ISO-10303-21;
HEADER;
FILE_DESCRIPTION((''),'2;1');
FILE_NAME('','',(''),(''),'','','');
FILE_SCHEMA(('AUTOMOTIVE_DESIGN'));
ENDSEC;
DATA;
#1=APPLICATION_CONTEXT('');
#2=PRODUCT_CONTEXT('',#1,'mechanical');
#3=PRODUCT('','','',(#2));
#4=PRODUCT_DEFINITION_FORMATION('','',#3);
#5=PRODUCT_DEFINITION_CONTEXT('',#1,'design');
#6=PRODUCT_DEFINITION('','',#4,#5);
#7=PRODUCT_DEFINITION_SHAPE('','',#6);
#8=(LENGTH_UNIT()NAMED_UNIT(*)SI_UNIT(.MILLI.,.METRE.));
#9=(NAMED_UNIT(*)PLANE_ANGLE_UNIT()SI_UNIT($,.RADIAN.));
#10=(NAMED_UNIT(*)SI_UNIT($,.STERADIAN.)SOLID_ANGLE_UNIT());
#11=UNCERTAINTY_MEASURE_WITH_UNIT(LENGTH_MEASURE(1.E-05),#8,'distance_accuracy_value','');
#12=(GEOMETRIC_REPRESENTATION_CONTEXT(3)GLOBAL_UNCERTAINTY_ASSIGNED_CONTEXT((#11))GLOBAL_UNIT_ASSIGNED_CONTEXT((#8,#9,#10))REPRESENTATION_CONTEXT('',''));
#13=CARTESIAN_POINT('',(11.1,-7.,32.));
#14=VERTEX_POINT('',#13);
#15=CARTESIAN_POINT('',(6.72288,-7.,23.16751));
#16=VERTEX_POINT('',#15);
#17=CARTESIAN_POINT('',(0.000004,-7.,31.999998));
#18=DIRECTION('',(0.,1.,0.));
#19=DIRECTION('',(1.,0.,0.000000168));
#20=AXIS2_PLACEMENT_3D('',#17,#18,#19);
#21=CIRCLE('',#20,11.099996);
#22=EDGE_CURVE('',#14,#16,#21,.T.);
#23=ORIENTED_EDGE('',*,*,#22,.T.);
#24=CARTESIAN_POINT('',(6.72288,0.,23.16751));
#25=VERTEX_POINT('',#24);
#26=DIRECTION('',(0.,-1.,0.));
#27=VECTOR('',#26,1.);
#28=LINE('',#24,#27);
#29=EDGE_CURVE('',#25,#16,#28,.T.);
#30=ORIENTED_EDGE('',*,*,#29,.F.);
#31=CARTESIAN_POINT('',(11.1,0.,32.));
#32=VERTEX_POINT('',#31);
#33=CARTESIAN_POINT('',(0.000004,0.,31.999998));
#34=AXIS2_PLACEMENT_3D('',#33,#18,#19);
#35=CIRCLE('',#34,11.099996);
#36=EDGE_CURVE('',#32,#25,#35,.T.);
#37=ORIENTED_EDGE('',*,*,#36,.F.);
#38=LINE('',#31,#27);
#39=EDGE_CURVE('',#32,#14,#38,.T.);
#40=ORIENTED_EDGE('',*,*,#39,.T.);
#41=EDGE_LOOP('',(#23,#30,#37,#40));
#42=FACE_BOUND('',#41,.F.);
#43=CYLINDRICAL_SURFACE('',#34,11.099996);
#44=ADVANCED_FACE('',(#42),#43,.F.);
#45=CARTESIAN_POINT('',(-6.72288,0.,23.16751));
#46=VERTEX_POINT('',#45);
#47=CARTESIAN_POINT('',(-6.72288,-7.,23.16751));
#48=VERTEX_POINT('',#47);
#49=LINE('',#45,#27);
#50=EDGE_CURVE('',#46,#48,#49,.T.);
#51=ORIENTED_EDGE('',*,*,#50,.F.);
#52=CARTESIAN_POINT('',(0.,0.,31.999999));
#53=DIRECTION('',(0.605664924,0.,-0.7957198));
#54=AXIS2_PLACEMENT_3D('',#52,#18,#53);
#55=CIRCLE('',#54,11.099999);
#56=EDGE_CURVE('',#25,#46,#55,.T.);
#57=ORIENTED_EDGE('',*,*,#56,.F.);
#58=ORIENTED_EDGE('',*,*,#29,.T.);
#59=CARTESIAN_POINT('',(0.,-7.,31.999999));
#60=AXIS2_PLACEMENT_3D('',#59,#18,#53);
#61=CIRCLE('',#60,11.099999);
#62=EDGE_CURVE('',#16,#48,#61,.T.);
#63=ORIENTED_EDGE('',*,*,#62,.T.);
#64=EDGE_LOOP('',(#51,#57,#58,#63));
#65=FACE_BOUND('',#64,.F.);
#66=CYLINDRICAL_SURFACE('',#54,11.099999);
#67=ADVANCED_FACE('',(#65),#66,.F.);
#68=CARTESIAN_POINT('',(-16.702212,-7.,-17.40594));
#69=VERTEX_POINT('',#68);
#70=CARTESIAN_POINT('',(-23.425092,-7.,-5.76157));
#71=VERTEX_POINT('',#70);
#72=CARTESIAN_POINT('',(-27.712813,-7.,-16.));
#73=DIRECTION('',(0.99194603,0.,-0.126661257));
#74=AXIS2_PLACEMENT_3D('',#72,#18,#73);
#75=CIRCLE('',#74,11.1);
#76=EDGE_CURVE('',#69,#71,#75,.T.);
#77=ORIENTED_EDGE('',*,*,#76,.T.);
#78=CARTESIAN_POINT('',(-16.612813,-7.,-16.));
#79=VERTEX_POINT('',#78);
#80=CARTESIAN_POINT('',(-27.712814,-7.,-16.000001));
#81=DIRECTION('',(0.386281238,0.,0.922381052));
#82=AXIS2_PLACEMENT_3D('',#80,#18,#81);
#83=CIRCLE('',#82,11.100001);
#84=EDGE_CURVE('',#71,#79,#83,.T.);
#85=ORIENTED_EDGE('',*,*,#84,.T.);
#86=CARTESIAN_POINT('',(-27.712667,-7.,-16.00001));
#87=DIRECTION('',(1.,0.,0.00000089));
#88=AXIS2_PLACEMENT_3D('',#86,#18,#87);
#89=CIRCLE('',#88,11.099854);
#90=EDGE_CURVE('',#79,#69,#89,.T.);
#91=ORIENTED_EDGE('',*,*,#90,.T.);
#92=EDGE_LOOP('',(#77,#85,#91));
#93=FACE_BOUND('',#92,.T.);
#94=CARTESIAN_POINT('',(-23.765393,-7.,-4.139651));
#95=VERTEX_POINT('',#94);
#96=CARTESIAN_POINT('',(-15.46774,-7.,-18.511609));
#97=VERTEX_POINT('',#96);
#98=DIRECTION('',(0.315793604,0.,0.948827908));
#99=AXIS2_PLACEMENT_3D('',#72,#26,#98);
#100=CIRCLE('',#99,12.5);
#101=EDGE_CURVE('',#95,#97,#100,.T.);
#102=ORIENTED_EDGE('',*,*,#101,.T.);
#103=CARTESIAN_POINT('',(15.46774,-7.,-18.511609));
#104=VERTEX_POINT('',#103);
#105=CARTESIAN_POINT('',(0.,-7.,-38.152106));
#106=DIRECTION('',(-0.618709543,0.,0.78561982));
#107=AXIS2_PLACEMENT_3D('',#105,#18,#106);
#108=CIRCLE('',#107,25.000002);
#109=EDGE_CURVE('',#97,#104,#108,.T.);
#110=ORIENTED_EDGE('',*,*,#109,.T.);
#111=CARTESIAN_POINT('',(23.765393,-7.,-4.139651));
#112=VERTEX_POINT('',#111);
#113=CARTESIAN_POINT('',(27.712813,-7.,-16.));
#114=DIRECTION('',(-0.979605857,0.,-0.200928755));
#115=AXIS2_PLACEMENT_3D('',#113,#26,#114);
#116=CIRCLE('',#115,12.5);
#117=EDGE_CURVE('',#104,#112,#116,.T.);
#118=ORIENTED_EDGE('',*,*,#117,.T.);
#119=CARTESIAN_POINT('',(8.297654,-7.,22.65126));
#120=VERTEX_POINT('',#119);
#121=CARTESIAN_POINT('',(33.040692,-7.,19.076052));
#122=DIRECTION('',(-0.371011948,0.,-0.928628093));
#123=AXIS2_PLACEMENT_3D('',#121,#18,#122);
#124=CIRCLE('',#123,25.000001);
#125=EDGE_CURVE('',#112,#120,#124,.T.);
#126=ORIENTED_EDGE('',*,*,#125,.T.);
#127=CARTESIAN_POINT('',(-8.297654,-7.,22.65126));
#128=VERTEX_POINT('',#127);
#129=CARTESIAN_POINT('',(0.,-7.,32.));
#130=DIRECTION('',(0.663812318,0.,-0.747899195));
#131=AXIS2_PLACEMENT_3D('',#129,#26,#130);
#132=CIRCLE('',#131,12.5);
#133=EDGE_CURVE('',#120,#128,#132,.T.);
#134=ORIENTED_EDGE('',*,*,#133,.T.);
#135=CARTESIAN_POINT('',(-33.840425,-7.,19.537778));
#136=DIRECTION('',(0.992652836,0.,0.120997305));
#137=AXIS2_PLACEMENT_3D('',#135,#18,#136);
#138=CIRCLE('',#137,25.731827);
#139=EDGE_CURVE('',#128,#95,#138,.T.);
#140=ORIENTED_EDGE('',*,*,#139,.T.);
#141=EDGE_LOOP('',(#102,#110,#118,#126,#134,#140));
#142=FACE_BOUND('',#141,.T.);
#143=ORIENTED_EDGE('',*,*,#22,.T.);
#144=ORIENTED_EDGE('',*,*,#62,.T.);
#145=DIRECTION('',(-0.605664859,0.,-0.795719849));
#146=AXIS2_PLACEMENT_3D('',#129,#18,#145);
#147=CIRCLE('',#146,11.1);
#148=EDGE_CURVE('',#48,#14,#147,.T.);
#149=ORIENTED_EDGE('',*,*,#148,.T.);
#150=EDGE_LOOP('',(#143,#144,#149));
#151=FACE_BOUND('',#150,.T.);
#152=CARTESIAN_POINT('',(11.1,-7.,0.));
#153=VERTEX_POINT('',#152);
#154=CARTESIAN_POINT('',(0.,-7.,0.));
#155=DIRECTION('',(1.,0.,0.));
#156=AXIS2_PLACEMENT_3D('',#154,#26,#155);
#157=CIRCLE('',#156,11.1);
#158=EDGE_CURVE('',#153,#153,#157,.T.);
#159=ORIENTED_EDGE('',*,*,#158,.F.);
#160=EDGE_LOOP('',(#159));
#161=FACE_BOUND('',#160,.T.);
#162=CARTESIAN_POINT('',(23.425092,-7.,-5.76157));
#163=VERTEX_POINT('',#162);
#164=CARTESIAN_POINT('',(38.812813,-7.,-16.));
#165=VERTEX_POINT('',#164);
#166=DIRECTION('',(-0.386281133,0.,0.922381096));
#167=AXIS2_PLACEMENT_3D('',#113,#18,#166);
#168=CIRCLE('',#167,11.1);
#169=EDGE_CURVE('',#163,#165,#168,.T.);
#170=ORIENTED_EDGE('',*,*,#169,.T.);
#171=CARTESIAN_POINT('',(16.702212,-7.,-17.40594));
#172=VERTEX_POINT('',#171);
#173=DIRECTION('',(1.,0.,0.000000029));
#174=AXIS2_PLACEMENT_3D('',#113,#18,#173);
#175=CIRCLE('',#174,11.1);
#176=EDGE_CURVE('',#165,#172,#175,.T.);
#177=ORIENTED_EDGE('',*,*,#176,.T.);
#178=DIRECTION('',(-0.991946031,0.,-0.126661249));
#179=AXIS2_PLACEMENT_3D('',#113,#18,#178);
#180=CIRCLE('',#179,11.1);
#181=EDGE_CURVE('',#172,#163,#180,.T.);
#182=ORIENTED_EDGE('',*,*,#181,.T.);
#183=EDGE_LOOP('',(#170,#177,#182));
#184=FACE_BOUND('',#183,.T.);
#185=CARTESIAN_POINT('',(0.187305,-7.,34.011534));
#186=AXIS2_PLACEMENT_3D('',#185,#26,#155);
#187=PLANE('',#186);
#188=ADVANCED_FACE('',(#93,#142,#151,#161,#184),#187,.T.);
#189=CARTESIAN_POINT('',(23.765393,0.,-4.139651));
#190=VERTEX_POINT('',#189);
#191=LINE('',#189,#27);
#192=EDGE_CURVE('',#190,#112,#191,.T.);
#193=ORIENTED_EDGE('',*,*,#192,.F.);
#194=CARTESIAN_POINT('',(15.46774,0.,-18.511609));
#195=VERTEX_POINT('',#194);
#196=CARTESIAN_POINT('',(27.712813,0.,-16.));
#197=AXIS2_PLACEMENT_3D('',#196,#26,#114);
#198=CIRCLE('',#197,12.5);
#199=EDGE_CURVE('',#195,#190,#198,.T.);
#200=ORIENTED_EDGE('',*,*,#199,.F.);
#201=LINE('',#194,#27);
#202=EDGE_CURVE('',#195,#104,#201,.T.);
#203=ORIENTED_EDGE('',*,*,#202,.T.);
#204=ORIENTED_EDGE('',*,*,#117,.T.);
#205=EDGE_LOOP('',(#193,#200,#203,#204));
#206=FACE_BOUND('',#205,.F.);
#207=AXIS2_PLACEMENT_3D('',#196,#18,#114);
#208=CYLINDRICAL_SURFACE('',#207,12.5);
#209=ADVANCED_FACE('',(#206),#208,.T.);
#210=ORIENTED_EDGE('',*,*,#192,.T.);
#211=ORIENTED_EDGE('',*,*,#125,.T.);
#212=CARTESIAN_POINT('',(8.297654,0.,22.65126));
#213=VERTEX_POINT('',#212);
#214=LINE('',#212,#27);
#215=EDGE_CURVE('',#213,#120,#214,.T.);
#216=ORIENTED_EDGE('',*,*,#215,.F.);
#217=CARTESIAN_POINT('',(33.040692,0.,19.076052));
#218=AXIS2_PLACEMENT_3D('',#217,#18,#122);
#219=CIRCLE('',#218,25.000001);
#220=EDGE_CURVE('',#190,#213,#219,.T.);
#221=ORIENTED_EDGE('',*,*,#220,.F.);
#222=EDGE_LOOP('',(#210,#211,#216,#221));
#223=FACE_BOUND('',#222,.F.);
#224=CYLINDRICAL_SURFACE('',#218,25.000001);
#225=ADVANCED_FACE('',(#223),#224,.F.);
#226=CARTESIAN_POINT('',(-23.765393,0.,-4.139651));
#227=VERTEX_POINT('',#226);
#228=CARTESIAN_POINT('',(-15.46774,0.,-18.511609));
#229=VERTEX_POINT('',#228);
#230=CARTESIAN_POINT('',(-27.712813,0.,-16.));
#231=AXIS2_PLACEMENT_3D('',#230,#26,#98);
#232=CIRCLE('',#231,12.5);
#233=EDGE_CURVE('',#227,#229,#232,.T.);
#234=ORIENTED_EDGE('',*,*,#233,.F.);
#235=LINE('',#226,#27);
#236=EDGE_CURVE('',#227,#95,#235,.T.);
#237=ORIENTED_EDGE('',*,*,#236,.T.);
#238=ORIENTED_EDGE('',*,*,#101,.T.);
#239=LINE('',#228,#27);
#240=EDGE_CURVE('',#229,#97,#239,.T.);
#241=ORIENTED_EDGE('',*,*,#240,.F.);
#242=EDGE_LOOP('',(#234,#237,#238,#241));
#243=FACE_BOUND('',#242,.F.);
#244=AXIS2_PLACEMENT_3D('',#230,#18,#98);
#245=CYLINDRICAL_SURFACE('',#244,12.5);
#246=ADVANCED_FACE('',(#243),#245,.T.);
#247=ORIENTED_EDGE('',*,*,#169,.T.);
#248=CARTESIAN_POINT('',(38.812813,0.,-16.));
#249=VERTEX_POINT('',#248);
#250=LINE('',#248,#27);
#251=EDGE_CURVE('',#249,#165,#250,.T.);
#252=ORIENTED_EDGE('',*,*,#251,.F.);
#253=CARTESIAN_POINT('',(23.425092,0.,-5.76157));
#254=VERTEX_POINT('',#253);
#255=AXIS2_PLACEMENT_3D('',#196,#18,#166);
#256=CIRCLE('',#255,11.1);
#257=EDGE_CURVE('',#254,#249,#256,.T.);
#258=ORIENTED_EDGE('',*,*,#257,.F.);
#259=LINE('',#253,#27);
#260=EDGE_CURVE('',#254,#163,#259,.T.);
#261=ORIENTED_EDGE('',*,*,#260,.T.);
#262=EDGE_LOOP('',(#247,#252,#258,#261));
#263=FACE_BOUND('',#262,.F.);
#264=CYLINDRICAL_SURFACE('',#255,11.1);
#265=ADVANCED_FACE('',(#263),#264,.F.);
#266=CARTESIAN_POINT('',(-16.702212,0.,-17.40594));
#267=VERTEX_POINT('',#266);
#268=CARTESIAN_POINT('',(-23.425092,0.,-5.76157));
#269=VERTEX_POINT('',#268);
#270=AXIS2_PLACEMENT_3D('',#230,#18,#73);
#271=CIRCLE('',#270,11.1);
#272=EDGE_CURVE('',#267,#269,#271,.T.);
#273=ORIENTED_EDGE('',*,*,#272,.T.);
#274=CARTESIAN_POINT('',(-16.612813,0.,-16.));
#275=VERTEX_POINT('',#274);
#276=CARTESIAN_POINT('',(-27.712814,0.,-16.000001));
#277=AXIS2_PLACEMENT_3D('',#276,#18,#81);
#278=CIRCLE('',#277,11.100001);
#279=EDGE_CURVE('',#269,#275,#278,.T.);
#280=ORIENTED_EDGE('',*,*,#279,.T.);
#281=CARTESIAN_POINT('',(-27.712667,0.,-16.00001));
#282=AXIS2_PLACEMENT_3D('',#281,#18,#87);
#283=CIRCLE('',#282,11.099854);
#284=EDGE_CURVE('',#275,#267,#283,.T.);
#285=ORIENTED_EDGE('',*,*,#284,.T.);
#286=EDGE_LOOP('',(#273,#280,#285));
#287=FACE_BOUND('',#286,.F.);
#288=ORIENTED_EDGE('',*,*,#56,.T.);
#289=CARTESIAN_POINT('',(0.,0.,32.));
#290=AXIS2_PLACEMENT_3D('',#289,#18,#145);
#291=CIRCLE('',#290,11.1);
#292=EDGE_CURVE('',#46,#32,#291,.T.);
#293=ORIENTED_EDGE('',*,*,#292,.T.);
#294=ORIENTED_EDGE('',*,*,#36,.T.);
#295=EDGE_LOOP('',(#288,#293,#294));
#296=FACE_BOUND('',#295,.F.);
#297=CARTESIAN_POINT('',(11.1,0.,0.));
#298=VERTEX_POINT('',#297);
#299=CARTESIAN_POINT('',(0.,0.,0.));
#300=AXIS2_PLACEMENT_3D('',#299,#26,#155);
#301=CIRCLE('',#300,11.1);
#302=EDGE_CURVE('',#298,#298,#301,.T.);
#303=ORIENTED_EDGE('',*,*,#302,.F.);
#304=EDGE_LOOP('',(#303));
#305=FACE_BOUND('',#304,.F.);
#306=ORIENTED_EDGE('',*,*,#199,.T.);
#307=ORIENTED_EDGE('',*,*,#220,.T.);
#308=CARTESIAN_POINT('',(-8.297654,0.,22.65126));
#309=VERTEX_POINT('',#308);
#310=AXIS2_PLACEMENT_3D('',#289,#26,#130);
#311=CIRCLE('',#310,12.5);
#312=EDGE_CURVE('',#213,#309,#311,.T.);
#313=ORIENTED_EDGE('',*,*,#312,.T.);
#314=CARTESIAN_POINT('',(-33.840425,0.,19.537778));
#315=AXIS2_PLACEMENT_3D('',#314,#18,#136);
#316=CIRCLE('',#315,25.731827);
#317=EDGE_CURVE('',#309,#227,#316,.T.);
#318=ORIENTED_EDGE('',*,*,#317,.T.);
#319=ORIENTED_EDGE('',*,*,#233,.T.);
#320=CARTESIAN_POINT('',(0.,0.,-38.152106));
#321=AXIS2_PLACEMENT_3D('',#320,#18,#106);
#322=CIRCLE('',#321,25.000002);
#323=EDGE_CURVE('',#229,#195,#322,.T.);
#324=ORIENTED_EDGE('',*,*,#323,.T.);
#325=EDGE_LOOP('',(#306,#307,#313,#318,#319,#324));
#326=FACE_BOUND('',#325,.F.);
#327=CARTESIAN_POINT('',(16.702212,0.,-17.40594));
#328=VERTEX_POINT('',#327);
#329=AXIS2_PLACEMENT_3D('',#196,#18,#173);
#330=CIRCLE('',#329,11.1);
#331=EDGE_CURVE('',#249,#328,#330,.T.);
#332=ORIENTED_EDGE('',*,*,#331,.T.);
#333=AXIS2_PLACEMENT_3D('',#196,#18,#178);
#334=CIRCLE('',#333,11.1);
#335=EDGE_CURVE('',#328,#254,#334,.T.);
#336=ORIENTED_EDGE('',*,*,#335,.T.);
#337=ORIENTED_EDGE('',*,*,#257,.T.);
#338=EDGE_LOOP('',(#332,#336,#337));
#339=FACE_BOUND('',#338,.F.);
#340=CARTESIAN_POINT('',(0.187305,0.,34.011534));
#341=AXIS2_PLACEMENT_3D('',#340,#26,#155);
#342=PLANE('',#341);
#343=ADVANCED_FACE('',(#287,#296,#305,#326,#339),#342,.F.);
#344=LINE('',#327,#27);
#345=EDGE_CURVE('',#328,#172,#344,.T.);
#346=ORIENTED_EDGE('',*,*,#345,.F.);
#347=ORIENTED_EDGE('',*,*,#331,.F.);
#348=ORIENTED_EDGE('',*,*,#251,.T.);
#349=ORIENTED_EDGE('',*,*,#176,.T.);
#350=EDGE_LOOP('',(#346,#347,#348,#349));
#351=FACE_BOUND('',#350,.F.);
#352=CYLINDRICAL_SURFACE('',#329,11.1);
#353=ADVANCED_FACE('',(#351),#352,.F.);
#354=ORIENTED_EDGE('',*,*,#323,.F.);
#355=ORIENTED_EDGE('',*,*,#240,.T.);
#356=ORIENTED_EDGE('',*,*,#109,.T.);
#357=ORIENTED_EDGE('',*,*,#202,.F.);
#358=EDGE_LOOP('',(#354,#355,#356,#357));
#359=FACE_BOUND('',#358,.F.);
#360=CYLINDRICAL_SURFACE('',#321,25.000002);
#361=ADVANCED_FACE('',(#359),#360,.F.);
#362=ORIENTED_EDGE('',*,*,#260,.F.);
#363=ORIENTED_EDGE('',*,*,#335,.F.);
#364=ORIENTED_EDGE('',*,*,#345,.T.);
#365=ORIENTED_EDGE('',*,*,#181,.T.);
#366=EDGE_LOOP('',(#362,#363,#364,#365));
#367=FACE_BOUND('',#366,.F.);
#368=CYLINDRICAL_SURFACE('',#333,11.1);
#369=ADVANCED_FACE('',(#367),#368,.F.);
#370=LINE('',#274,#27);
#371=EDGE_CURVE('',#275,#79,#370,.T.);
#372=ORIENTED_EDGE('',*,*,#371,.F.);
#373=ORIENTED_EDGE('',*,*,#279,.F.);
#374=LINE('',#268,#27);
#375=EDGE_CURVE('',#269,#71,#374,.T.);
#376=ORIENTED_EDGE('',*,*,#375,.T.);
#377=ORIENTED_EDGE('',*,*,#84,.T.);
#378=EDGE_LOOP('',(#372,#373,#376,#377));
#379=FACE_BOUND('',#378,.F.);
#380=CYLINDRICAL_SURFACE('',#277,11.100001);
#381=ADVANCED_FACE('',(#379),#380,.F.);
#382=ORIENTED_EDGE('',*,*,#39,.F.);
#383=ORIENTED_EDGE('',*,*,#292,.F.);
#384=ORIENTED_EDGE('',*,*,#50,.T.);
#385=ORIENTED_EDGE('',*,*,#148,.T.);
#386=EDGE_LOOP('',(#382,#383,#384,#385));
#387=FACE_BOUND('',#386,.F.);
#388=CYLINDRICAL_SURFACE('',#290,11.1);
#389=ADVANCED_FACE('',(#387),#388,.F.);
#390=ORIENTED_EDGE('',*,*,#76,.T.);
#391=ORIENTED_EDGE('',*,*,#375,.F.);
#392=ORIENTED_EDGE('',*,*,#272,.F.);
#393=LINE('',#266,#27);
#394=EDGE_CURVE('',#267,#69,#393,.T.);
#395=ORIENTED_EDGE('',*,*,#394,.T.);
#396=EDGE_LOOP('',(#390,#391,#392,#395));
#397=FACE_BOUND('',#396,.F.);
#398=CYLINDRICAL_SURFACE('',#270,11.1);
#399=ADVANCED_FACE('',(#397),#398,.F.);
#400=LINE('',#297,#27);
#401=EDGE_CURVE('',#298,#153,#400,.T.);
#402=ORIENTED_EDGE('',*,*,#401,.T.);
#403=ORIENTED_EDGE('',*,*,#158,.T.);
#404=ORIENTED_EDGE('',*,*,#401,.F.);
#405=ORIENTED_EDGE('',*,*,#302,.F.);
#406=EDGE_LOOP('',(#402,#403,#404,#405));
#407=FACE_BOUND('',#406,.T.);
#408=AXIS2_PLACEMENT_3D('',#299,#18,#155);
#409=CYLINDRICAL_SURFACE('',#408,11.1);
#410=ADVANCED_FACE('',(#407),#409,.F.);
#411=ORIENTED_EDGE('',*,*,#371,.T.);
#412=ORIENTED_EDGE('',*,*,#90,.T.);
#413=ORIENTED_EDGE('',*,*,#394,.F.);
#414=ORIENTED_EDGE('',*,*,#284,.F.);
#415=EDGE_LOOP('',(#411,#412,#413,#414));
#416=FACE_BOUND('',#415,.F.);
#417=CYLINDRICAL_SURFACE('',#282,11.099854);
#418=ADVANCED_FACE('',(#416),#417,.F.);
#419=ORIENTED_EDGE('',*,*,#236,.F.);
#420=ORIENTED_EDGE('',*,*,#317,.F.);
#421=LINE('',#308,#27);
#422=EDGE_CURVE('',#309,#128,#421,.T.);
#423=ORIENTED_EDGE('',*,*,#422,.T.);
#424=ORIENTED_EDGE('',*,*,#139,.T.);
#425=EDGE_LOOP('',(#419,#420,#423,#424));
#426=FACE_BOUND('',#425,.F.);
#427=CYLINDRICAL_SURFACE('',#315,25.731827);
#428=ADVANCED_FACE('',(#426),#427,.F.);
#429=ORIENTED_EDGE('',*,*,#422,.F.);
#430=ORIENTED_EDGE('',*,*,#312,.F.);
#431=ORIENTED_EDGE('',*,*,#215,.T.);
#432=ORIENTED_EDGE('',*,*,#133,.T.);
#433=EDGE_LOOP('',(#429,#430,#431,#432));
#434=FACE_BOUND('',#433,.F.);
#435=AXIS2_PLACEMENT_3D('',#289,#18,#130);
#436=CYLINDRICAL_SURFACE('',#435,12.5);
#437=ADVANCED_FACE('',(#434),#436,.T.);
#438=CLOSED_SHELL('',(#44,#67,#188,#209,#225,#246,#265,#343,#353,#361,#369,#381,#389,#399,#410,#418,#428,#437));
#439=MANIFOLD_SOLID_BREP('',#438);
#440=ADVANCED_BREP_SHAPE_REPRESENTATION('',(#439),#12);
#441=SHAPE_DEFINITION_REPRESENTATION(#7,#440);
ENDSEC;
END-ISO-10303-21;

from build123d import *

# Parameters (mm, degrees)
F0_R     = 11.1
F1_DEPTH = 7


with BuildPart() as f1:
    # F0 (on Front) → F1 (new body)
    with BuildSketch(Plane.XZ):
        with BuildLine():
            ThreePointArc((-6.72288, 23.16751), (-4.928795, 41.945702), (11.1, 32))
            ThreePointArc((11.1, 32), (9.945702, 27.071205), (6.72288, 23.16751))
            ThreePointArc((6.72288, 23.16751), (7.514701, 22.922912), (8.297654, 22.65126))
            ThreePointArc((8.297654, 22.65126), (0, 44.5), (-8.297654, 22.65126))
            ThreePointArc((-8.297654, 22.65126), (-7.514701, 22.922912), (-6.72288, 23.16751))
        make_face()
        with BuildLine():
            ThreePointArc((6.72288, 23.16751), (0, 20.9), (-6.72288, 23.16751))
            ThreePointArc((-6.72288, 23.16751), (-7.514701, 22.922912), (-8.297654, 22.65126))
            ThreePointArc((-8.297654, 22.65126), (-11.556009, 6.671865), (-23.765393, -4.139651))
            ThreePointArc((-23.765393, -4.139651), (-23.609175, -4.953534), (-23.425092, -5.76157))
            ThreePointArc((-23.425092, -5.76157), (-18.471501, -9.851167), (-16.612813, -16))
            ThreePointArc((-16.612813, -16), (-16.635185, -16.70439), (-16.702212, -17.40594))
            ThreePointArc((-16.702212, -17.40594), (-16.094473, -17.969378), (-15.46774, -18.511609))
            ThreePointArc((-15.46774, -18.511609), (0, -13.152104), (15.46774, -18.511609))
            ThreePointArc((15.46774, -18.511609), (16.094473, -17.969378), (16.702212, -17.40594))
            ThreePointArc((16.702212, -17.40594), (18.099931, -10.45), (23.425092, -5.76157))
            ThreePointArc((23.425092, -5.76157), (23.609175, -4.953534), (23.765393, -4.139651))
            ThreePointArc((23.765393, -4.139651), (11.390056, 6.576052), (8.297654, 22.65126))
            ThreePointArc((8.297654, 22.65126), (7.514701, 22.922912), (6.72288, 23.16751))
        make_face()
        Circle(F0_R, mode=Mode.SUBTRACT)
        with BuildLine():
            ThreePointArc((-23.425092, -5.76157), (-23.609175, -4.953534), (-23.765393, -4.139651))
            ThreePointArc((-23.765393, -4.139651), (-38.53813, -22.25), (-15.46774, -18.511609))
            ThreePointArc((-15.46774, -18.511609), (-16.094473, -17.969378), (-16.702212, -17.40594))
            ThreePointArc((-16.702212, -17.40594), (-37.325695, -21.55), (-23.425092, -5.76157))
        make_face()
        with BuildLine():
            ThreePointArc((15.46774, -18.511609), (38.53813, -22.25), (23.765393, -4.139651))
            ThreePointArc((23.765393, -4.139651), (23.609175, -4.953534), (23.425092, -5.76157))
            ThreePointArc((23.425092, -5.76157), (33.861646, -6.758688), (38.812813, -16))
            ThreePointArc((38.812813, -16), (28.417203, -27.077628), (16.702212, -17.40594))
            ThreePointArc((16.702212, -17.40594), (16.094473, -17.969378), (15.46774, -18.511609))
        make_face()
    extrude(amount=F1_DEPTH)


solid = f1.part
